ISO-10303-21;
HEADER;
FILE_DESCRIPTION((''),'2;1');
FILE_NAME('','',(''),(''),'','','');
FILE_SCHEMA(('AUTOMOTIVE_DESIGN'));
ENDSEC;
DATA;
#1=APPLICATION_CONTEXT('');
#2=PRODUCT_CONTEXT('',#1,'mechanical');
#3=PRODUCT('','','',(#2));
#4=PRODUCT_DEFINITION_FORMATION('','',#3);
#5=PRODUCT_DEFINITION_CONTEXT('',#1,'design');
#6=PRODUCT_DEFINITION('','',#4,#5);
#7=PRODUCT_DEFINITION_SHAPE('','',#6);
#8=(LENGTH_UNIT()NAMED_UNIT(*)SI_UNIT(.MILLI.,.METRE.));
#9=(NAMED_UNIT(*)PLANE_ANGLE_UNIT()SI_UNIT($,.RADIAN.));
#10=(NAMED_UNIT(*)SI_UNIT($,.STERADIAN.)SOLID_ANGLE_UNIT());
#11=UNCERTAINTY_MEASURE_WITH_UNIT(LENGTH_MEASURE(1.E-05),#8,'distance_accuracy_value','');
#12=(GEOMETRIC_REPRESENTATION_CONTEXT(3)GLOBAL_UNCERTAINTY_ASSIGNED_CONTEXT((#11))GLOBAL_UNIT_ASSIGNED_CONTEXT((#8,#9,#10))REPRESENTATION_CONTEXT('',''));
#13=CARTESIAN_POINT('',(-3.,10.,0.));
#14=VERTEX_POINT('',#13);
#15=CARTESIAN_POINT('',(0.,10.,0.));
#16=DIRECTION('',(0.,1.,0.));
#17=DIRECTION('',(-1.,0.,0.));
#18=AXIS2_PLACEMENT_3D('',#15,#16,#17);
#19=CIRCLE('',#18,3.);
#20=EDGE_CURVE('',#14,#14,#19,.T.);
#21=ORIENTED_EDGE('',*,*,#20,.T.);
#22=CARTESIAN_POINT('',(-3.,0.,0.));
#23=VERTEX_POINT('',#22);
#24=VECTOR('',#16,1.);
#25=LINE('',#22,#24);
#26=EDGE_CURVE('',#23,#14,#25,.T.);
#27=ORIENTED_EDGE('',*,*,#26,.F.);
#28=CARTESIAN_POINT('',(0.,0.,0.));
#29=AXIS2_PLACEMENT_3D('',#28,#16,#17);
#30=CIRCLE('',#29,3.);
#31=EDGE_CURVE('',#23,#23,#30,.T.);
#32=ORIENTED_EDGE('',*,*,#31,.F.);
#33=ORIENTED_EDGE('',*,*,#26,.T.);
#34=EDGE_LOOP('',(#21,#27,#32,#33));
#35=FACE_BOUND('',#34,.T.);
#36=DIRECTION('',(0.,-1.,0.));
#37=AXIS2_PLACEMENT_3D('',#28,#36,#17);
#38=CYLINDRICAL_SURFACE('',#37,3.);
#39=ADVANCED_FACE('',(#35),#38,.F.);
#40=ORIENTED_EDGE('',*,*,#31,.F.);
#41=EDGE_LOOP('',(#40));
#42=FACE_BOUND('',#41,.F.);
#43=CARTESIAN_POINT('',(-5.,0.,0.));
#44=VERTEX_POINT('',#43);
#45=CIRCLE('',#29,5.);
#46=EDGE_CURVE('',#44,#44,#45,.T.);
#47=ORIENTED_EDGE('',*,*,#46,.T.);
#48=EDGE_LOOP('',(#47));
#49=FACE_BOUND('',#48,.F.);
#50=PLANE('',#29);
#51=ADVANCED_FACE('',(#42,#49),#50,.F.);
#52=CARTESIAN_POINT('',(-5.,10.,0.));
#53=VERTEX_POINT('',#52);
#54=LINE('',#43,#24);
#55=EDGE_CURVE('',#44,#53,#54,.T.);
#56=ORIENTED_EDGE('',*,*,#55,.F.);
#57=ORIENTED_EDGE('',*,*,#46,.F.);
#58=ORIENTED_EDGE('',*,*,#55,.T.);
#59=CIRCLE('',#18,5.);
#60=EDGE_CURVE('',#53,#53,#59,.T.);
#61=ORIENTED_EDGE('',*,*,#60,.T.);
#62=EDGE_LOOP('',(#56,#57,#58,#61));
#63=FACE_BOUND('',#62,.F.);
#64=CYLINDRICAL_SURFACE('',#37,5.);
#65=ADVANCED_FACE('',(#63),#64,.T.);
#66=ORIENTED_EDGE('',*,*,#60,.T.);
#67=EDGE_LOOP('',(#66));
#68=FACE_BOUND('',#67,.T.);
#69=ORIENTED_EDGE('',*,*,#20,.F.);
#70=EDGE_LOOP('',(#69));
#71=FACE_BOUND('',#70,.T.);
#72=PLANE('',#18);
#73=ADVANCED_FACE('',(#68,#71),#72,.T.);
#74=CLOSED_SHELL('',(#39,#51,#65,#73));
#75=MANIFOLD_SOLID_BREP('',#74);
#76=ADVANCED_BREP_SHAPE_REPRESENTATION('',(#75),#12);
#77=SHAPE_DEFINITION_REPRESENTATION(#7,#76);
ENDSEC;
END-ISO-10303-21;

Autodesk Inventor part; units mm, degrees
ref_plane "YZ Plane" through (0, 0, 0) normal (1, 0, 0) x (0, 1, 0)
ref_plane "XZ Plane" through (0, 0, 0) normal (0, 1, 0) x (-1, 0, 0)
ref_plane "XY Plane" through (0, 0, 0) normal (0, 0, 1) x (1, 0, 0)
sketch "Sketch1" plane through (0, 0, 0) normal (0, 1, 0) x (-1, 0, 0)
  circle A0 centre (0, 0) radius 3
  circle A1 centre (0, 0) radius 5
  dimension "d0" = 6
  dimension "d1" = 10
extrude "Extrusion1" add sketch "Sketch1" along normal blind 10
properties part number "10mm_Spacer"
